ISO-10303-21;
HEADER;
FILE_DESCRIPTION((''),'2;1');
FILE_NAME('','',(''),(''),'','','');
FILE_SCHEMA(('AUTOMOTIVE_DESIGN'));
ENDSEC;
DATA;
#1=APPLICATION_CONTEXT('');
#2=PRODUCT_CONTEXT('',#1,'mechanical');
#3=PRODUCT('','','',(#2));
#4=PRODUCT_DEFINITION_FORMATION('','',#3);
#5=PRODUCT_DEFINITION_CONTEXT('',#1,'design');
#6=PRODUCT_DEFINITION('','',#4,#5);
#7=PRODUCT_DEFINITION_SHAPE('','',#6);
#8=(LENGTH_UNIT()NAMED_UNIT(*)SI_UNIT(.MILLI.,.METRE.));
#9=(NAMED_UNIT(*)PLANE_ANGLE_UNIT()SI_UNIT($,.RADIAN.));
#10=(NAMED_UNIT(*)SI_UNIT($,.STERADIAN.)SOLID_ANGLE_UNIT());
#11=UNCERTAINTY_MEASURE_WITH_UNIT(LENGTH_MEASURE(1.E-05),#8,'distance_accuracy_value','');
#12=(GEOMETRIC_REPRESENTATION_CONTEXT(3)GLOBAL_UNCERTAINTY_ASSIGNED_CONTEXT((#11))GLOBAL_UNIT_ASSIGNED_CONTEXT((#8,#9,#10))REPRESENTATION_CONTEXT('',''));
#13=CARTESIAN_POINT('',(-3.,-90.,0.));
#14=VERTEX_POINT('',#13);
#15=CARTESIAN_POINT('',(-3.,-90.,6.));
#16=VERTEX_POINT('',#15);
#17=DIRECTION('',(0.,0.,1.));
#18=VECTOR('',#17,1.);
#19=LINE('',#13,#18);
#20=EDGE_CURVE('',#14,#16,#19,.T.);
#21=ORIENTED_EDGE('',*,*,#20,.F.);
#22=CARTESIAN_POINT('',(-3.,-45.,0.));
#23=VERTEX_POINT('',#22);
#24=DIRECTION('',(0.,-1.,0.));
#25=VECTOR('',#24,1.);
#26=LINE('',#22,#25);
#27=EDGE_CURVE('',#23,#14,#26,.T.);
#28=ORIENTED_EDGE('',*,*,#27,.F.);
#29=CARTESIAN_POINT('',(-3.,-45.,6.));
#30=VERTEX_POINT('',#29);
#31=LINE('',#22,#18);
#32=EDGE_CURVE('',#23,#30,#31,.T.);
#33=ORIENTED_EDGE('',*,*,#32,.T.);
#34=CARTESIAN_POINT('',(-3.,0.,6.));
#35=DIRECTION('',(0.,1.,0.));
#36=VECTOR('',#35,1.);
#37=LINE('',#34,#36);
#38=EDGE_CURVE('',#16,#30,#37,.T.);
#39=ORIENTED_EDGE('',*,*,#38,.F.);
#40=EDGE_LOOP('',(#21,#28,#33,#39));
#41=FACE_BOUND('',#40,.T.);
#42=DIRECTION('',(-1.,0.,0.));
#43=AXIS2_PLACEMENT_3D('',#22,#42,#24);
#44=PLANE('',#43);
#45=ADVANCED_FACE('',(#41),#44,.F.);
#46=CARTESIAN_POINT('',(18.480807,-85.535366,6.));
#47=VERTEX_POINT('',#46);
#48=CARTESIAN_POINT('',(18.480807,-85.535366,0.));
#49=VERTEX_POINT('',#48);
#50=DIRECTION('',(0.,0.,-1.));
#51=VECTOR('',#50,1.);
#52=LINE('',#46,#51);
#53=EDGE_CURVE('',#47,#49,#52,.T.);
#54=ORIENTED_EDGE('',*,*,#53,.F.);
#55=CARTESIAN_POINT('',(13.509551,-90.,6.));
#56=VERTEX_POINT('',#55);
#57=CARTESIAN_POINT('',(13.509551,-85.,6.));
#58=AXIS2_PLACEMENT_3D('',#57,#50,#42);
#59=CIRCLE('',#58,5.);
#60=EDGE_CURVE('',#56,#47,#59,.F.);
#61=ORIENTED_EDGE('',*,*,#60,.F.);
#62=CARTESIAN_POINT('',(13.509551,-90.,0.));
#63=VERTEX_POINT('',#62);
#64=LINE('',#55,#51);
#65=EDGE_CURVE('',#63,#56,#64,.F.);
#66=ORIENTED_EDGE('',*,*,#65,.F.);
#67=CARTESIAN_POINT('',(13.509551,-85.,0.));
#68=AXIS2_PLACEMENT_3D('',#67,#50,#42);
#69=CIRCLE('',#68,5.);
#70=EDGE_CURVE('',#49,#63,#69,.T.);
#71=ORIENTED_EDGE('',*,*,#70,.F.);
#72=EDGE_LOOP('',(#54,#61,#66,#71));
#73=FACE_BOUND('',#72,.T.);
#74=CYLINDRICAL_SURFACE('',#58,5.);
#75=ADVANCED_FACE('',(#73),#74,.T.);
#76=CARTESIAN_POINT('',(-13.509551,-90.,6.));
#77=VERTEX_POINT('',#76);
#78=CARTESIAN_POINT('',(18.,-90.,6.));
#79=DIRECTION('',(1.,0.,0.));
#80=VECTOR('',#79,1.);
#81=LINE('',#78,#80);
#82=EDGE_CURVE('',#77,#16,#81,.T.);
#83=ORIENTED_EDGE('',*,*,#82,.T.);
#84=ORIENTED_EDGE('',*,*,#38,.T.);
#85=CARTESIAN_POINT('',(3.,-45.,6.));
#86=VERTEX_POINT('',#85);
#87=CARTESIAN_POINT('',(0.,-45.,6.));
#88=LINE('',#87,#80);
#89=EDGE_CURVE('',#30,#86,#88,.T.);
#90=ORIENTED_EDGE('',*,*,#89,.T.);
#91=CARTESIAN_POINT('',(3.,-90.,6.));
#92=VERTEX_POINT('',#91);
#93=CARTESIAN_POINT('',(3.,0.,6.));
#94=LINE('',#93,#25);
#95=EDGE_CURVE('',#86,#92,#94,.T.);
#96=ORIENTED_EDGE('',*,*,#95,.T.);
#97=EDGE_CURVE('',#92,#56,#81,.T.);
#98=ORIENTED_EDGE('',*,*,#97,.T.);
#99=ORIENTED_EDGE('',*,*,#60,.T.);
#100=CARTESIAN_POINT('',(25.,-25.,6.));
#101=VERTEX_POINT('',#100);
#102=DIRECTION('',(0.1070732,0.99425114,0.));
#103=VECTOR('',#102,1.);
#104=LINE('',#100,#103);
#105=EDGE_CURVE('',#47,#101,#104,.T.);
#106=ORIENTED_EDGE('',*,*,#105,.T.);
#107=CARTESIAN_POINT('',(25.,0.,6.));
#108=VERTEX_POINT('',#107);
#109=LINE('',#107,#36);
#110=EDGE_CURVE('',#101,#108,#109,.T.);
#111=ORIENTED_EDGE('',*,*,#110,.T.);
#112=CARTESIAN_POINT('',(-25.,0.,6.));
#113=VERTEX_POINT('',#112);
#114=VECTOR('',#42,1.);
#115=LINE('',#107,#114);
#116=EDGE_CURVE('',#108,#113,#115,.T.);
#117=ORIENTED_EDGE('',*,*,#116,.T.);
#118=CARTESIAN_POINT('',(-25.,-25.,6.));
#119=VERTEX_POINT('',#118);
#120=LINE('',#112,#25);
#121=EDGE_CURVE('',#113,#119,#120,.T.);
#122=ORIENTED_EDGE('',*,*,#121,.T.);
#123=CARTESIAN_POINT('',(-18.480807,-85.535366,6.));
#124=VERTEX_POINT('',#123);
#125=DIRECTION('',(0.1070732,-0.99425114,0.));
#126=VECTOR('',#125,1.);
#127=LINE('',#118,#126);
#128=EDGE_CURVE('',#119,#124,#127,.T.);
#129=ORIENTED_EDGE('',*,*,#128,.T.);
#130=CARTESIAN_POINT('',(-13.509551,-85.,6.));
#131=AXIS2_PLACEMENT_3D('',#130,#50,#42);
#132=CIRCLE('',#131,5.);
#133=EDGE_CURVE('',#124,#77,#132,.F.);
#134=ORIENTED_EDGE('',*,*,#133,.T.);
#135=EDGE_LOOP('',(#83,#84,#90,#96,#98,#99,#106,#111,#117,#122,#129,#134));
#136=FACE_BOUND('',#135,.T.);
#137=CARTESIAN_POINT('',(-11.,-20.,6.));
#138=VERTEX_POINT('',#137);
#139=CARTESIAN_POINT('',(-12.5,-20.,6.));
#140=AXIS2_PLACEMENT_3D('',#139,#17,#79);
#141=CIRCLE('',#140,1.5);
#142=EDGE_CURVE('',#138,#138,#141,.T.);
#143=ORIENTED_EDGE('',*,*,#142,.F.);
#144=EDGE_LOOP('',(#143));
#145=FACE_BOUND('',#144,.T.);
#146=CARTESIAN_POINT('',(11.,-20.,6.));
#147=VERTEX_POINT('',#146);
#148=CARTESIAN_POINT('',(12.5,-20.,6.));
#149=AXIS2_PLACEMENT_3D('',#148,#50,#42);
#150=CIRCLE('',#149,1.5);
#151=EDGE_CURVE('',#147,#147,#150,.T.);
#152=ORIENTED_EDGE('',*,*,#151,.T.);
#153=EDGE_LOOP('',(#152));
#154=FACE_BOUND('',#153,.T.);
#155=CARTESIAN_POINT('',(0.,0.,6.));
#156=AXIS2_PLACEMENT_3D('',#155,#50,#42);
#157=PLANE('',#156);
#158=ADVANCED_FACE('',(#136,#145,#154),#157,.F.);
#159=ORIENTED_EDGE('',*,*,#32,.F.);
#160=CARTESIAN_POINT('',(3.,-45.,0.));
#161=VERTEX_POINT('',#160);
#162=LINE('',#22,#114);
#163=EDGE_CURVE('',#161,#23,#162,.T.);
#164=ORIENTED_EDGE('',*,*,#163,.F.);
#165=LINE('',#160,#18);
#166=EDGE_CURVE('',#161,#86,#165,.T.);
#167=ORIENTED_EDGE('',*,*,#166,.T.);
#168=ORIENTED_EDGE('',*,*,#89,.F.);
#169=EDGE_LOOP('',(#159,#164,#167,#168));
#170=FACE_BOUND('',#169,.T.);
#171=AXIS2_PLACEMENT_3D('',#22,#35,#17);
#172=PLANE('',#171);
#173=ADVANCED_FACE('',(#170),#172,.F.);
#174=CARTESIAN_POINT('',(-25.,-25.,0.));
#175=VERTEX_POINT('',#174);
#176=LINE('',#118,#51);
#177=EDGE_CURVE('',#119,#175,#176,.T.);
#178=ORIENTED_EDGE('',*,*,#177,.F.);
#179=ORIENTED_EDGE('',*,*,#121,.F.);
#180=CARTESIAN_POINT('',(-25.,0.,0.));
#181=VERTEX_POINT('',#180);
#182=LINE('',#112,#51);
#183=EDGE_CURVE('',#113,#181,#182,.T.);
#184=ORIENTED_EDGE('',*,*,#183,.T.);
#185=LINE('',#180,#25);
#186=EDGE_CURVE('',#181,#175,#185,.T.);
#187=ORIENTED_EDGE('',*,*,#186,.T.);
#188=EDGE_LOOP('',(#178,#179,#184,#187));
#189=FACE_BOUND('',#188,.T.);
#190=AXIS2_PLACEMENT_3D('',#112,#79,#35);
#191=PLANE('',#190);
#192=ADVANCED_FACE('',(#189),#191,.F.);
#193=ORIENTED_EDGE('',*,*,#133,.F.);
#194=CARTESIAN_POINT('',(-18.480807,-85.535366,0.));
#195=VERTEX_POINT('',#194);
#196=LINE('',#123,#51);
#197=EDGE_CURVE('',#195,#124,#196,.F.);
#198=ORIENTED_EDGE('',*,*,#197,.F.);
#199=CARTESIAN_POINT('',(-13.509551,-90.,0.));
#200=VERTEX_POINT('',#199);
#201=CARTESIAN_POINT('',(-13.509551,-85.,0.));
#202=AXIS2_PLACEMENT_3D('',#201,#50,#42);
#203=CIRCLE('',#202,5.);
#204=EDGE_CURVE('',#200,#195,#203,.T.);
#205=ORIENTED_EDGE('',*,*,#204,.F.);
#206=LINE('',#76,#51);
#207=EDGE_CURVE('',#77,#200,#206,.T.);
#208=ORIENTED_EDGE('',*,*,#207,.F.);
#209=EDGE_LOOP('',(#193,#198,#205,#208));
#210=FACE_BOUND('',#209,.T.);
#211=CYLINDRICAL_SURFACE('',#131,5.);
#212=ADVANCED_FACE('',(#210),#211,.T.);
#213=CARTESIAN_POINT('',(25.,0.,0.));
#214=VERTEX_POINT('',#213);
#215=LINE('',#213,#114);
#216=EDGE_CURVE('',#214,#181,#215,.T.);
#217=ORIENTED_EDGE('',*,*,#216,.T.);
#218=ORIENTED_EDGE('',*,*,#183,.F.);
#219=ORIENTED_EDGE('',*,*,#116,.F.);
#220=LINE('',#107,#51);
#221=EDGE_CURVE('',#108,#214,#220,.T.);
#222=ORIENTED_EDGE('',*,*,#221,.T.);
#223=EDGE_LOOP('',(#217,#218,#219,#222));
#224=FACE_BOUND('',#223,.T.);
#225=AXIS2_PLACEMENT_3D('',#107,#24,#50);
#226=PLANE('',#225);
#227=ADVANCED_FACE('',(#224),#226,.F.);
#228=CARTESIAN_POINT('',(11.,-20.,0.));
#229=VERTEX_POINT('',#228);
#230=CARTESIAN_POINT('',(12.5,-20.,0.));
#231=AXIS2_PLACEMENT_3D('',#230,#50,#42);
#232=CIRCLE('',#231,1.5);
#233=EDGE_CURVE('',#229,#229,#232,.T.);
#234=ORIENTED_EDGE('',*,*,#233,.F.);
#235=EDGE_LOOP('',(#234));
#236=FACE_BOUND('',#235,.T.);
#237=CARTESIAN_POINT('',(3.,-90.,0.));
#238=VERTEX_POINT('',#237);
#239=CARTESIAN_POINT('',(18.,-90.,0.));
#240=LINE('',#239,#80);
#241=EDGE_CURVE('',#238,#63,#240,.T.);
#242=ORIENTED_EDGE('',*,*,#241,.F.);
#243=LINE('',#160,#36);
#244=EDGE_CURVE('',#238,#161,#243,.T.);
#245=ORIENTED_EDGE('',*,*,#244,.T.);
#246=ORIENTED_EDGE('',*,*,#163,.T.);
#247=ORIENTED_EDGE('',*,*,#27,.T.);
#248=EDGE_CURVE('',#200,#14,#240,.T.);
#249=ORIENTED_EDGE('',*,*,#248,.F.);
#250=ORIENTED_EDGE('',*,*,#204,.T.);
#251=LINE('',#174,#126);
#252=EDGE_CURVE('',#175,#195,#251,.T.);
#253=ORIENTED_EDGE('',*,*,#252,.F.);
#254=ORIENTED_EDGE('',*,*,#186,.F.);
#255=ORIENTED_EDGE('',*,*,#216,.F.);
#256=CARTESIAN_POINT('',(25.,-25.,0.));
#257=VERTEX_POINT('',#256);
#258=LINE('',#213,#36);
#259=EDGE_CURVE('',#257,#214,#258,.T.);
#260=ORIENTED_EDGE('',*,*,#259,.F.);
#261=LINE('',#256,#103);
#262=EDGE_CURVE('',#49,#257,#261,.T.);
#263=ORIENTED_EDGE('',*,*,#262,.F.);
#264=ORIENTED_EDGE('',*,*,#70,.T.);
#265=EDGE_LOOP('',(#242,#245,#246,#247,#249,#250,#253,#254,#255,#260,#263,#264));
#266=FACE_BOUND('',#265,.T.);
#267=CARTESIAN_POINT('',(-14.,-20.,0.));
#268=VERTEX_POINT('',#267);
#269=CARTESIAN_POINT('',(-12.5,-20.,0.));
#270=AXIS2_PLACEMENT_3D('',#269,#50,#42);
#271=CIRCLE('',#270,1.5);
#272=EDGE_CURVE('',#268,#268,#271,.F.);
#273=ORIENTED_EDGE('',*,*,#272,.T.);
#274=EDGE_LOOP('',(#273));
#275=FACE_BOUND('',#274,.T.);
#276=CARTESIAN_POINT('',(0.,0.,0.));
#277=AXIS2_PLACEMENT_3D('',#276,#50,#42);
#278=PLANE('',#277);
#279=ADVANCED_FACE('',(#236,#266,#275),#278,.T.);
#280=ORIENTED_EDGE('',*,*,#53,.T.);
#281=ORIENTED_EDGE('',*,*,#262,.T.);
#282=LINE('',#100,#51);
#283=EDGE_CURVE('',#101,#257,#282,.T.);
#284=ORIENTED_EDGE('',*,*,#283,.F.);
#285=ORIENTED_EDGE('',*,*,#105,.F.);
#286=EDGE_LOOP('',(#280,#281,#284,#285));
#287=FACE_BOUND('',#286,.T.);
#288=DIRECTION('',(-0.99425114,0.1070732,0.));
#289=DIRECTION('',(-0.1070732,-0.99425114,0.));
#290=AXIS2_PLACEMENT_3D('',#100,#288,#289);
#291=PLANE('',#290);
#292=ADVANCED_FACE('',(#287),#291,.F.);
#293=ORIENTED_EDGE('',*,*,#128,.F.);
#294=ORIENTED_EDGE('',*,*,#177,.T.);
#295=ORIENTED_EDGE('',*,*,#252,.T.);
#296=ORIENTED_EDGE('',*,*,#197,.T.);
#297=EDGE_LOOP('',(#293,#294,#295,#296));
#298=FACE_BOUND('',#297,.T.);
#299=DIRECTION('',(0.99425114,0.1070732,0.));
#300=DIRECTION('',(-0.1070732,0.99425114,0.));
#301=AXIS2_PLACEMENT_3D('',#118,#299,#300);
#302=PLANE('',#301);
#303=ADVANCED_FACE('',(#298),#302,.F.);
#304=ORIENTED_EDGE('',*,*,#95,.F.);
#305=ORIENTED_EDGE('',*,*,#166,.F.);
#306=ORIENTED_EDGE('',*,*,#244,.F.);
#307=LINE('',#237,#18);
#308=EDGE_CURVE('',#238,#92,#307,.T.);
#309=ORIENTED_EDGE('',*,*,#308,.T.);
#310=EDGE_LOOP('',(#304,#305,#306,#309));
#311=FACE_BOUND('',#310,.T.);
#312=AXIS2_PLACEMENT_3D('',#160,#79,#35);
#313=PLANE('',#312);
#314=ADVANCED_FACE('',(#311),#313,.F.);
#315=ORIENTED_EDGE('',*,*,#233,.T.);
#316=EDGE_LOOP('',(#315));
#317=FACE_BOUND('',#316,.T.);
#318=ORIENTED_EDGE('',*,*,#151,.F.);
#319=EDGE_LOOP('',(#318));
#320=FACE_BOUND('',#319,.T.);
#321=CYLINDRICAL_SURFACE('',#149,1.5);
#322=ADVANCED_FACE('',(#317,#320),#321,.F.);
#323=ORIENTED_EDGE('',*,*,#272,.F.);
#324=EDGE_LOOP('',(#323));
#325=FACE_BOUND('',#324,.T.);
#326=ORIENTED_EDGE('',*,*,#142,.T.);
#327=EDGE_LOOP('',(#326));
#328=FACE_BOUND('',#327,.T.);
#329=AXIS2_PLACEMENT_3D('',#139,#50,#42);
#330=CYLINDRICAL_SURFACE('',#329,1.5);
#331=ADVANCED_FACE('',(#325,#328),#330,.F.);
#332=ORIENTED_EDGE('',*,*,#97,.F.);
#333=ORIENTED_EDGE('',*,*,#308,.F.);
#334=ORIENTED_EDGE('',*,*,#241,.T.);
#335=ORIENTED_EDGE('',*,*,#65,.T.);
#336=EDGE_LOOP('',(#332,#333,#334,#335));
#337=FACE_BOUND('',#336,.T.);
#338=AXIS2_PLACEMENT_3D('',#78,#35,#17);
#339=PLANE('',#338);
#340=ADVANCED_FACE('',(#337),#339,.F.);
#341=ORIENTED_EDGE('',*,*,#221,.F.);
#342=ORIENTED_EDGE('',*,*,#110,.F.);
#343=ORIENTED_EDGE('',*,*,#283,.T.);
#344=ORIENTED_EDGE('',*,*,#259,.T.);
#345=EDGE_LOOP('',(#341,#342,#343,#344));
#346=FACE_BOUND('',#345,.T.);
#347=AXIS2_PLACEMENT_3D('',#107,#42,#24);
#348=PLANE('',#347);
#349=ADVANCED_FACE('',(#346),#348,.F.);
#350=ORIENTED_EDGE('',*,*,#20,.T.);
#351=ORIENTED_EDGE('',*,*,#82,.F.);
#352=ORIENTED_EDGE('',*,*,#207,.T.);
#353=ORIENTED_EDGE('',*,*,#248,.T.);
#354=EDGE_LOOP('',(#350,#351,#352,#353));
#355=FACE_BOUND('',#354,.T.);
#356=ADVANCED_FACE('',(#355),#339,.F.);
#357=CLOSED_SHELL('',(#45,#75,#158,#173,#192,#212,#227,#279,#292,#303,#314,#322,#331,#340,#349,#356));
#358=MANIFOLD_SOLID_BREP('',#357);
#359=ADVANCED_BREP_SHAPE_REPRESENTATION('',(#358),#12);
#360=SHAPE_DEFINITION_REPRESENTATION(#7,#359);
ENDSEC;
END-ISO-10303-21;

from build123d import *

# Parameters (mm, degrees)
BOSS_EXTRUDE1_DEPTH     = 6
SKETCH3_W               = 6
SKETCH3_H               = 45
CUT_EXTRUDE1_DEPTH      = 1
CUT_EXTRUDE1_DEPTH_BACK = 7
FILLET1_R               = 5
CUT_EXTRUDE2_START      = -7
SKETCH4_R               = 1.5
CUT_EXTRUDE2_DEPTH      = 8


with BuildPart() as part:
    # Sketch1 → Boss-Extrude1 (new body)
    with BuildSketch(Plane.XY):
        Polygon((25, 0), (-25, 0), (-25, -25), (-18, -90), (18, -90), (25, -25), align=None)
    extrude(amount=BOSS_EXTRUDE1_DEPTH)

    # Sketch3 → Cut-Extrude1 (cut, two sides)
    with BuildSketch(Plane.XY.offset(6)) as cut_extrude1_sk:
        with Locations((0, -67.5)):
            Rectangle(SKETCH3_W, SKETCH3_H)
    extrude(amount=CUT_EXTRUDE1_DEPTH, mode=Mode.SUBTRACT)
    extrude(cut_extrude1_sk.sketch, amount=-CUT_EXTRUDE1_DEPTH_BACK, mode=Mode.SUBTRACT)

    # Fillet1
    fillet1_edges = [part.edges().sort_by_distance(p)[0] for p in [
        (18, -90, 3),
        (-18, -90, 3),
    ]]
    fillet(fillet1_edges, radius=FILLET1_R)

    # Sketch4 → Cut-Extrude2 (cut)
    with BuildSketch(Plane(origin=(0, 0, 0), x_dir=(-1, 0, 0), z_dir=(0, 0, -1)).offset(CUT_EXTRUDE2_START)):
        with Locations((-12.5, -20)):
            Circle(SKETCH4_R)
    cut_extrude2 = extrude(amount=CUT_EXTRUDE2_DEPTH, mode=Mode.SUBTRACT)

    # Mirror1: Cut-Extrude2 across plane
    add(cut_extrude2.mirror(Plane(origin=(0, 0, 0), x_dir=(0, 0, 1), z_dir=(1, 0, 0))), mode=Mode.SUBTRACT)


solid = part.part
